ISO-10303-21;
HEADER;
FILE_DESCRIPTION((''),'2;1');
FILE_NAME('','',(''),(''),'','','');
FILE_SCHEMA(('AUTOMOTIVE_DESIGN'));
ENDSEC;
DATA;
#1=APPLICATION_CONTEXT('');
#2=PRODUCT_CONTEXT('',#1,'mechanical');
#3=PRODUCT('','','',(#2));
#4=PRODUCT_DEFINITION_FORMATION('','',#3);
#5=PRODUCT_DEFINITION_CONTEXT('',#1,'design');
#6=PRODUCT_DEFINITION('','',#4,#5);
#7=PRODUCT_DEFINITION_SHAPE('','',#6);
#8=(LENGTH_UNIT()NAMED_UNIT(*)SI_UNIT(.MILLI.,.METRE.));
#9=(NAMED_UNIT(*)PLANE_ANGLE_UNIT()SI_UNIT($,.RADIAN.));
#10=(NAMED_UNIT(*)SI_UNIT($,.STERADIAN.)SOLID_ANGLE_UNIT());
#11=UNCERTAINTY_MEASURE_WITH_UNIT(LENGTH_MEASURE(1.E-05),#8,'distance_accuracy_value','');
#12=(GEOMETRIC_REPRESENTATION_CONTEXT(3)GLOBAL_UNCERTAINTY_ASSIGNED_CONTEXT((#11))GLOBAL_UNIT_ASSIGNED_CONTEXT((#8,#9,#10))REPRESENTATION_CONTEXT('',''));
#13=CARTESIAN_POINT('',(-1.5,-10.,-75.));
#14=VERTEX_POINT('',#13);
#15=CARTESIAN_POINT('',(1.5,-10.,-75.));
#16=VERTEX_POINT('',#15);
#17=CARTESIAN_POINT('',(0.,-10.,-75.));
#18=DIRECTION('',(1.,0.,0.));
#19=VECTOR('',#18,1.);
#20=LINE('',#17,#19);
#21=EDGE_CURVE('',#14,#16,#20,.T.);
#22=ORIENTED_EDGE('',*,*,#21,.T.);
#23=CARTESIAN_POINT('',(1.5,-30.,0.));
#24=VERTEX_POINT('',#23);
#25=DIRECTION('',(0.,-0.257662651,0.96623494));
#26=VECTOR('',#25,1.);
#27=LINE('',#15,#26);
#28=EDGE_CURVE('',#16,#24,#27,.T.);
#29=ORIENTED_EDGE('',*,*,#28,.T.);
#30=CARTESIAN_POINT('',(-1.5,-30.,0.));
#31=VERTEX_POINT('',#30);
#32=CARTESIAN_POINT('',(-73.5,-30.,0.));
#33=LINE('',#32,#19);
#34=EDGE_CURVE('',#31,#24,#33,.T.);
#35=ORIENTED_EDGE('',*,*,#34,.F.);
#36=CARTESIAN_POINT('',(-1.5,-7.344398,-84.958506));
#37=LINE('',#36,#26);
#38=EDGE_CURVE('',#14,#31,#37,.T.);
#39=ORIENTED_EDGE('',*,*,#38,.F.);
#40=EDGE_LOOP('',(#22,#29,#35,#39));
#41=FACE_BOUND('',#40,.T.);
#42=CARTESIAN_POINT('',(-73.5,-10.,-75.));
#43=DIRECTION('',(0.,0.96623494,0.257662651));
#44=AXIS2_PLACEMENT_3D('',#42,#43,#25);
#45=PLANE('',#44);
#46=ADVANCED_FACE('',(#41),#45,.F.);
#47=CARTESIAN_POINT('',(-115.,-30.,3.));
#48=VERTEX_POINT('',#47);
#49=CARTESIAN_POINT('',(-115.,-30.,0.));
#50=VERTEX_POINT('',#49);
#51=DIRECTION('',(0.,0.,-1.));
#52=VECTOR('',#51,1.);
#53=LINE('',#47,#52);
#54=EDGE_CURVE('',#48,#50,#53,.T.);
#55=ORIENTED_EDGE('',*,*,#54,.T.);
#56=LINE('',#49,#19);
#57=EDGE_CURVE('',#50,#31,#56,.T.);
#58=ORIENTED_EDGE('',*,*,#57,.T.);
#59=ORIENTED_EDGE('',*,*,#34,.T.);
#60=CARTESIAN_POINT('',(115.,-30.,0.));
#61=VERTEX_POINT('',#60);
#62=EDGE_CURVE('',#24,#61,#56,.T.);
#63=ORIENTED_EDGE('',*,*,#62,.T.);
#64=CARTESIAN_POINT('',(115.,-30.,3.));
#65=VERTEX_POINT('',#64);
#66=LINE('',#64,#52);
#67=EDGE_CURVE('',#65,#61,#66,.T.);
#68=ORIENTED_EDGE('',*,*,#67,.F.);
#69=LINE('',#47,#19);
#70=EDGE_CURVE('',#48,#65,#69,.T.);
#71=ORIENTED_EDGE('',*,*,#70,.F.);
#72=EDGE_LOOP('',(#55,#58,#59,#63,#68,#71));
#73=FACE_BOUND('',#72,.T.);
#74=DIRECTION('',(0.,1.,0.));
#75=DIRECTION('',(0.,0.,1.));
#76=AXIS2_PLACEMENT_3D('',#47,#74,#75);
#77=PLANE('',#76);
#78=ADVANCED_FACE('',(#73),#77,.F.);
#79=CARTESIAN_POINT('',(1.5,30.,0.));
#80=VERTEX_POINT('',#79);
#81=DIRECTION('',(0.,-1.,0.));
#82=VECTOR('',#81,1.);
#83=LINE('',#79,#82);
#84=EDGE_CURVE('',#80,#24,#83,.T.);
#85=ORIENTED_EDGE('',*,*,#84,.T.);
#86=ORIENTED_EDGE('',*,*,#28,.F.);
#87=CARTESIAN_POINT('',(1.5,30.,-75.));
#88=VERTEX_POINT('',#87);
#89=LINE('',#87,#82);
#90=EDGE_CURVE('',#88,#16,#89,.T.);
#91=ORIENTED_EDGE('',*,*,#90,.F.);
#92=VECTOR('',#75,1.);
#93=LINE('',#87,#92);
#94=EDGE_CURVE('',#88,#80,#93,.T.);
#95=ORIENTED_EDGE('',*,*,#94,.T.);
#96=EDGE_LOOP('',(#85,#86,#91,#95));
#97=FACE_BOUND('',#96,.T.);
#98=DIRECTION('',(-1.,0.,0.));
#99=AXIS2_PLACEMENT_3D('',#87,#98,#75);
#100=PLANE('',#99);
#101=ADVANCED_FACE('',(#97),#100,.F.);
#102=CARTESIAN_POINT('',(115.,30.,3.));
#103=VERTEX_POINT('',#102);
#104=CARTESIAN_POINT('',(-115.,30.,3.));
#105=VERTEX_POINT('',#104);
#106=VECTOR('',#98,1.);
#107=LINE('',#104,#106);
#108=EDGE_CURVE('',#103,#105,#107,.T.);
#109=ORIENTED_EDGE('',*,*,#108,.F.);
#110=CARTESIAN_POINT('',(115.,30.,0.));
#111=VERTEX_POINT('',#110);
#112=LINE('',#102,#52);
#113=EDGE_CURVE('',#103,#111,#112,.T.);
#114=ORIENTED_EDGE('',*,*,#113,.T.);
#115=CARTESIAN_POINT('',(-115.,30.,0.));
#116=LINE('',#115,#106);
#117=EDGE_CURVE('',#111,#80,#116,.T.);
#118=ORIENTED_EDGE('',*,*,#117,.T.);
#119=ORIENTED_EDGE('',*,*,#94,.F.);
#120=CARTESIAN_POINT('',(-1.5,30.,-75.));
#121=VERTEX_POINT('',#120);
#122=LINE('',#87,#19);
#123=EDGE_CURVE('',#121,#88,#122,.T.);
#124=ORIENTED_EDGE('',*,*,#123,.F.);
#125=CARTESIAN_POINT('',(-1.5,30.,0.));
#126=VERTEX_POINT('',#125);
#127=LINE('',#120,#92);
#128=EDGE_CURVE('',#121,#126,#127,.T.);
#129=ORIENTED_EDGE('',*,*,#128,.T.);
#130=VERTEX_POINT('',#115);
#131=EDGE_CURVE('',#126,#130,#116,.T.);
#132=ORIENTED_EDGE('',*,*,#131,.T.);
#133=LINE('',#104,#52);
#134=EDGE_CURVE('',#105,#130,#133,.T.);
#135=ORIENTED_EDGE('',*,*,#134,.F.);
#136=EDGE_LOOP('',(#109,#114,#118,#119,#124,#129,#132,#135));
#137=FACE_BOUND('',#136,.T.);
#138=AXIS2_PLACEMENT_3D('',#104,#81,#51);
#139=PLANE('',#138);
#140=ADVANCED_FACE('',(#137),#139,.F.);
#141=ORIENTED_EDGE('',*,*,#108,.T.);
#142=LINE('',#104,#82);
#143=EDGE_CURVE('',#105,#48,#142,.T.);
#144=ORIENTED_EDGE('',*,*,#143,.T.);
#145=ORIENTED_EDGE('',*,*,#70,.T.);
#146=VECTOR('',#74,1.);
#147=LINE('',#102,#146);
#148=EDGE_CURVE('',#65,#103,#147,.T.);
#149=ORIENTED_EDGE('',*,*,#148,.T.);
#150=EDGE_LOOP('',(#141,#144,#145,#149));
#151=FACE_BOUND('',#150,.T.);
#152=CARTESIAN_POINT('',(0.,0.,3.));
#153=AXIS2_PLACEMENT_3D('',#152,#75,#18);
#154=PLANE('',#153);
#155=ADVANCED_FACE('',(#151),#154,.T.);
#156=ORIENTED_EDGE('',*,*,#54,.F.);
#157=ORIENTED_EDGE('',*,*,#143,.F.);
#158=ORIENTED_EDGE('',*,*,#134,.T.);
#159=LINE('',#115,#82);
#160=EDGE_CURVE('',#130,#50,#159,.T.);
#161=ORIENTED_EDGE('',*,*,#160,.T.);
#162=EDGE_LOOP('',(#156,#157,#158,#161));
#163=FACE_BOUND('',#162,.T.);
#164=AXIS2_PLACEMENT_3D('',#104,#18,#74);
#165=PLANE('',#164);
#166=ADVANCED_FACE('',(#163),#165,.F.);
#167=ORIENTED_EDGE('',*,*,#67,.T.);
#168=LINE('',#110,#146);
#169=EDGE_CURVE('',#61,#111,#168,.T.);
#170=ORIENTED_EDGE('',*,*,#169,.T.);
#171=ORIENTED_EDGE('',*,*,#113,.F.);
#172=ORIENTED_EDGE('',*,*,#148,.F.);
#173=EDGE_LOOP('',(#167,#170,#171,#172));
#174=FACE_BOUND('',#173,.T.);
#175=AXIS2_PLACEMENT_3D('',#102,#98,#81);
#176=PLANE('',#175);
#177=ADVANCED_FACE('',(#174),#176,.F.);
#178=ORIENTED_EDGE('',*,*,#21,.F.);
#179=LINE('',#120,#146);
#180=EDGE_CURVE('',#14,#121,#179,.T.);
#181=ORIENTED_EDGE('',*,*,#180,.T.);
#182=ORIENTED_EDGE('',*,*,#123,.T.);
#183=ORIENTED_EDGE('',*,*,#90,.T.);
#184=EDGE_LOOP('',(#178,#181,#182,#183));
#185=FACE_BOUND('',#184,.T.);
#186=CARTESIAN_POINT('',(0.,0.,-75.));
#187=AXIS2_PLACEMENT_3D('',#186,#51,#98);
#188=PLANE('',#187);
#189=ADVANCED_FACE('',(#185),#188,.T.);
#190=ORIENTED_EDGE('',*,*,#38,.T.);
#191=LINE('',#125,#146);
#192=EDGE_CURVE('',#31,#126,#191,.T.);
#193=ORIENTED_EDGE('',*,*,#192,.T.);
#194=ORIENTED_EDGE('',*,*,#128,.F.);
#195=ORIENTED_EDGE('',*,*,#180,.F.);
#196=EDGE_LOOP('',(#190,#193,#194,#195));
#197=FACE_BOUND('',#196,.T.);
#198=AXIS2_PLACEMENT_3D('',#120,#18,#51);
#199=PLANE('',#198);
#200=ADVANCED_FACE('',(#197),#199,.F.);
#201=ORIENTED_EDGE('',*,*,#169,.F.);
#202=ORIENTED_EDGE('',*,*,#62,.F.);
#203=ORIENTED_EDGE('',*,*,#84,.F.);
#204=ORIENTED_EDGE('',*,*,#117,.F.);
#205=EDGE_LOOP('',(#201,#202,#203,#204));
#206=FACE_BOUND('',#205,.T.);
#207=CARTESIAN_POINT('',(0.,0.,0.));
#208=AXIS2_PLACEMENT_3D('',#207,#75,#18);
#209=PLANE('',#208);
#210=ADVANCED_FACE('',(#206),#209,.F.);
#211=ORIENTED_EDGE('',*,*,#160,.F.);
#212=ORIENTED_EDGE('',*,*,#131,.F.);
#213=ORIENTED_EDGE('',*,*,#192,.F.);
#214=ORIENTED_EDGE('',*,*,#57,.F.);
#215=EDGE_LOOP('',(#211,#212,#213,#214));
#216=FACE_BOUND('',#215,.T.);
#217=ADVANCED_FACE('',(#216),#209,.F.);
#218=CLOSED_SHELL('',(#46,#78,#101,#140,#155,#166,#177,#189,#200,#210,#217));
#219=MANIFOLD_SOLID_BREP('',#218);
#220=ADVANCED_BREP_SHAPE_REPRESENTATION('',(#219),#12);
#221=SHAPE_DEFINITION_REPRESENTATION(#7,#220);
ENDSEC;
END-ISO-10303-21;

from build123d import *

# Parameters (mm, degrees)
SKETCH1_W           = 230
SKETCH1_H           = 60
BOSS_EXTRUDE1_DEPTH = 3
SKETCH2_W           = 3
SKETCH2_H           = 60
BOSS_EXTRUDE2_DEPTH = 75
CUT_EXTRUDE1_DEPTH  = 75


with BuildPart() as part:
    # Sketch1 → Boss-Extrude1 (new body)
    with BuildSketch(Plane.XY):
        Rectangle(SKETCH1_W, SKETCH1_H)
    extrude(amount=BOSS_EXTRUDE1_DEPTH)

    # Sketch2 → Boss-Extrude2 (add)
    with BuildSketch(Plane(origin=(0, 0, 0), x_dir=(-1, 0, 0), z_dir=(0, 0, -1))):
        Rectangle(SKETCH2_W, SKETCH2_H)
    extrude(amount=BOSS_EXTRUDE2_DEPTH)

    # Sketch3 → Cut-Extrude1 (cut)
    with BuildSketch(Plane(origin=(1.5, 0, 0), x_dir=(0, 0, -1), z_dir=(1, 0, 0))):
        Polygon((75, -10), (0, -30), (75, -30), align=None)
    extrude(amount=-CUT_EXTRUDE1_DEPTH, mode=Mode.SUBTRACT)


solid = part.part
